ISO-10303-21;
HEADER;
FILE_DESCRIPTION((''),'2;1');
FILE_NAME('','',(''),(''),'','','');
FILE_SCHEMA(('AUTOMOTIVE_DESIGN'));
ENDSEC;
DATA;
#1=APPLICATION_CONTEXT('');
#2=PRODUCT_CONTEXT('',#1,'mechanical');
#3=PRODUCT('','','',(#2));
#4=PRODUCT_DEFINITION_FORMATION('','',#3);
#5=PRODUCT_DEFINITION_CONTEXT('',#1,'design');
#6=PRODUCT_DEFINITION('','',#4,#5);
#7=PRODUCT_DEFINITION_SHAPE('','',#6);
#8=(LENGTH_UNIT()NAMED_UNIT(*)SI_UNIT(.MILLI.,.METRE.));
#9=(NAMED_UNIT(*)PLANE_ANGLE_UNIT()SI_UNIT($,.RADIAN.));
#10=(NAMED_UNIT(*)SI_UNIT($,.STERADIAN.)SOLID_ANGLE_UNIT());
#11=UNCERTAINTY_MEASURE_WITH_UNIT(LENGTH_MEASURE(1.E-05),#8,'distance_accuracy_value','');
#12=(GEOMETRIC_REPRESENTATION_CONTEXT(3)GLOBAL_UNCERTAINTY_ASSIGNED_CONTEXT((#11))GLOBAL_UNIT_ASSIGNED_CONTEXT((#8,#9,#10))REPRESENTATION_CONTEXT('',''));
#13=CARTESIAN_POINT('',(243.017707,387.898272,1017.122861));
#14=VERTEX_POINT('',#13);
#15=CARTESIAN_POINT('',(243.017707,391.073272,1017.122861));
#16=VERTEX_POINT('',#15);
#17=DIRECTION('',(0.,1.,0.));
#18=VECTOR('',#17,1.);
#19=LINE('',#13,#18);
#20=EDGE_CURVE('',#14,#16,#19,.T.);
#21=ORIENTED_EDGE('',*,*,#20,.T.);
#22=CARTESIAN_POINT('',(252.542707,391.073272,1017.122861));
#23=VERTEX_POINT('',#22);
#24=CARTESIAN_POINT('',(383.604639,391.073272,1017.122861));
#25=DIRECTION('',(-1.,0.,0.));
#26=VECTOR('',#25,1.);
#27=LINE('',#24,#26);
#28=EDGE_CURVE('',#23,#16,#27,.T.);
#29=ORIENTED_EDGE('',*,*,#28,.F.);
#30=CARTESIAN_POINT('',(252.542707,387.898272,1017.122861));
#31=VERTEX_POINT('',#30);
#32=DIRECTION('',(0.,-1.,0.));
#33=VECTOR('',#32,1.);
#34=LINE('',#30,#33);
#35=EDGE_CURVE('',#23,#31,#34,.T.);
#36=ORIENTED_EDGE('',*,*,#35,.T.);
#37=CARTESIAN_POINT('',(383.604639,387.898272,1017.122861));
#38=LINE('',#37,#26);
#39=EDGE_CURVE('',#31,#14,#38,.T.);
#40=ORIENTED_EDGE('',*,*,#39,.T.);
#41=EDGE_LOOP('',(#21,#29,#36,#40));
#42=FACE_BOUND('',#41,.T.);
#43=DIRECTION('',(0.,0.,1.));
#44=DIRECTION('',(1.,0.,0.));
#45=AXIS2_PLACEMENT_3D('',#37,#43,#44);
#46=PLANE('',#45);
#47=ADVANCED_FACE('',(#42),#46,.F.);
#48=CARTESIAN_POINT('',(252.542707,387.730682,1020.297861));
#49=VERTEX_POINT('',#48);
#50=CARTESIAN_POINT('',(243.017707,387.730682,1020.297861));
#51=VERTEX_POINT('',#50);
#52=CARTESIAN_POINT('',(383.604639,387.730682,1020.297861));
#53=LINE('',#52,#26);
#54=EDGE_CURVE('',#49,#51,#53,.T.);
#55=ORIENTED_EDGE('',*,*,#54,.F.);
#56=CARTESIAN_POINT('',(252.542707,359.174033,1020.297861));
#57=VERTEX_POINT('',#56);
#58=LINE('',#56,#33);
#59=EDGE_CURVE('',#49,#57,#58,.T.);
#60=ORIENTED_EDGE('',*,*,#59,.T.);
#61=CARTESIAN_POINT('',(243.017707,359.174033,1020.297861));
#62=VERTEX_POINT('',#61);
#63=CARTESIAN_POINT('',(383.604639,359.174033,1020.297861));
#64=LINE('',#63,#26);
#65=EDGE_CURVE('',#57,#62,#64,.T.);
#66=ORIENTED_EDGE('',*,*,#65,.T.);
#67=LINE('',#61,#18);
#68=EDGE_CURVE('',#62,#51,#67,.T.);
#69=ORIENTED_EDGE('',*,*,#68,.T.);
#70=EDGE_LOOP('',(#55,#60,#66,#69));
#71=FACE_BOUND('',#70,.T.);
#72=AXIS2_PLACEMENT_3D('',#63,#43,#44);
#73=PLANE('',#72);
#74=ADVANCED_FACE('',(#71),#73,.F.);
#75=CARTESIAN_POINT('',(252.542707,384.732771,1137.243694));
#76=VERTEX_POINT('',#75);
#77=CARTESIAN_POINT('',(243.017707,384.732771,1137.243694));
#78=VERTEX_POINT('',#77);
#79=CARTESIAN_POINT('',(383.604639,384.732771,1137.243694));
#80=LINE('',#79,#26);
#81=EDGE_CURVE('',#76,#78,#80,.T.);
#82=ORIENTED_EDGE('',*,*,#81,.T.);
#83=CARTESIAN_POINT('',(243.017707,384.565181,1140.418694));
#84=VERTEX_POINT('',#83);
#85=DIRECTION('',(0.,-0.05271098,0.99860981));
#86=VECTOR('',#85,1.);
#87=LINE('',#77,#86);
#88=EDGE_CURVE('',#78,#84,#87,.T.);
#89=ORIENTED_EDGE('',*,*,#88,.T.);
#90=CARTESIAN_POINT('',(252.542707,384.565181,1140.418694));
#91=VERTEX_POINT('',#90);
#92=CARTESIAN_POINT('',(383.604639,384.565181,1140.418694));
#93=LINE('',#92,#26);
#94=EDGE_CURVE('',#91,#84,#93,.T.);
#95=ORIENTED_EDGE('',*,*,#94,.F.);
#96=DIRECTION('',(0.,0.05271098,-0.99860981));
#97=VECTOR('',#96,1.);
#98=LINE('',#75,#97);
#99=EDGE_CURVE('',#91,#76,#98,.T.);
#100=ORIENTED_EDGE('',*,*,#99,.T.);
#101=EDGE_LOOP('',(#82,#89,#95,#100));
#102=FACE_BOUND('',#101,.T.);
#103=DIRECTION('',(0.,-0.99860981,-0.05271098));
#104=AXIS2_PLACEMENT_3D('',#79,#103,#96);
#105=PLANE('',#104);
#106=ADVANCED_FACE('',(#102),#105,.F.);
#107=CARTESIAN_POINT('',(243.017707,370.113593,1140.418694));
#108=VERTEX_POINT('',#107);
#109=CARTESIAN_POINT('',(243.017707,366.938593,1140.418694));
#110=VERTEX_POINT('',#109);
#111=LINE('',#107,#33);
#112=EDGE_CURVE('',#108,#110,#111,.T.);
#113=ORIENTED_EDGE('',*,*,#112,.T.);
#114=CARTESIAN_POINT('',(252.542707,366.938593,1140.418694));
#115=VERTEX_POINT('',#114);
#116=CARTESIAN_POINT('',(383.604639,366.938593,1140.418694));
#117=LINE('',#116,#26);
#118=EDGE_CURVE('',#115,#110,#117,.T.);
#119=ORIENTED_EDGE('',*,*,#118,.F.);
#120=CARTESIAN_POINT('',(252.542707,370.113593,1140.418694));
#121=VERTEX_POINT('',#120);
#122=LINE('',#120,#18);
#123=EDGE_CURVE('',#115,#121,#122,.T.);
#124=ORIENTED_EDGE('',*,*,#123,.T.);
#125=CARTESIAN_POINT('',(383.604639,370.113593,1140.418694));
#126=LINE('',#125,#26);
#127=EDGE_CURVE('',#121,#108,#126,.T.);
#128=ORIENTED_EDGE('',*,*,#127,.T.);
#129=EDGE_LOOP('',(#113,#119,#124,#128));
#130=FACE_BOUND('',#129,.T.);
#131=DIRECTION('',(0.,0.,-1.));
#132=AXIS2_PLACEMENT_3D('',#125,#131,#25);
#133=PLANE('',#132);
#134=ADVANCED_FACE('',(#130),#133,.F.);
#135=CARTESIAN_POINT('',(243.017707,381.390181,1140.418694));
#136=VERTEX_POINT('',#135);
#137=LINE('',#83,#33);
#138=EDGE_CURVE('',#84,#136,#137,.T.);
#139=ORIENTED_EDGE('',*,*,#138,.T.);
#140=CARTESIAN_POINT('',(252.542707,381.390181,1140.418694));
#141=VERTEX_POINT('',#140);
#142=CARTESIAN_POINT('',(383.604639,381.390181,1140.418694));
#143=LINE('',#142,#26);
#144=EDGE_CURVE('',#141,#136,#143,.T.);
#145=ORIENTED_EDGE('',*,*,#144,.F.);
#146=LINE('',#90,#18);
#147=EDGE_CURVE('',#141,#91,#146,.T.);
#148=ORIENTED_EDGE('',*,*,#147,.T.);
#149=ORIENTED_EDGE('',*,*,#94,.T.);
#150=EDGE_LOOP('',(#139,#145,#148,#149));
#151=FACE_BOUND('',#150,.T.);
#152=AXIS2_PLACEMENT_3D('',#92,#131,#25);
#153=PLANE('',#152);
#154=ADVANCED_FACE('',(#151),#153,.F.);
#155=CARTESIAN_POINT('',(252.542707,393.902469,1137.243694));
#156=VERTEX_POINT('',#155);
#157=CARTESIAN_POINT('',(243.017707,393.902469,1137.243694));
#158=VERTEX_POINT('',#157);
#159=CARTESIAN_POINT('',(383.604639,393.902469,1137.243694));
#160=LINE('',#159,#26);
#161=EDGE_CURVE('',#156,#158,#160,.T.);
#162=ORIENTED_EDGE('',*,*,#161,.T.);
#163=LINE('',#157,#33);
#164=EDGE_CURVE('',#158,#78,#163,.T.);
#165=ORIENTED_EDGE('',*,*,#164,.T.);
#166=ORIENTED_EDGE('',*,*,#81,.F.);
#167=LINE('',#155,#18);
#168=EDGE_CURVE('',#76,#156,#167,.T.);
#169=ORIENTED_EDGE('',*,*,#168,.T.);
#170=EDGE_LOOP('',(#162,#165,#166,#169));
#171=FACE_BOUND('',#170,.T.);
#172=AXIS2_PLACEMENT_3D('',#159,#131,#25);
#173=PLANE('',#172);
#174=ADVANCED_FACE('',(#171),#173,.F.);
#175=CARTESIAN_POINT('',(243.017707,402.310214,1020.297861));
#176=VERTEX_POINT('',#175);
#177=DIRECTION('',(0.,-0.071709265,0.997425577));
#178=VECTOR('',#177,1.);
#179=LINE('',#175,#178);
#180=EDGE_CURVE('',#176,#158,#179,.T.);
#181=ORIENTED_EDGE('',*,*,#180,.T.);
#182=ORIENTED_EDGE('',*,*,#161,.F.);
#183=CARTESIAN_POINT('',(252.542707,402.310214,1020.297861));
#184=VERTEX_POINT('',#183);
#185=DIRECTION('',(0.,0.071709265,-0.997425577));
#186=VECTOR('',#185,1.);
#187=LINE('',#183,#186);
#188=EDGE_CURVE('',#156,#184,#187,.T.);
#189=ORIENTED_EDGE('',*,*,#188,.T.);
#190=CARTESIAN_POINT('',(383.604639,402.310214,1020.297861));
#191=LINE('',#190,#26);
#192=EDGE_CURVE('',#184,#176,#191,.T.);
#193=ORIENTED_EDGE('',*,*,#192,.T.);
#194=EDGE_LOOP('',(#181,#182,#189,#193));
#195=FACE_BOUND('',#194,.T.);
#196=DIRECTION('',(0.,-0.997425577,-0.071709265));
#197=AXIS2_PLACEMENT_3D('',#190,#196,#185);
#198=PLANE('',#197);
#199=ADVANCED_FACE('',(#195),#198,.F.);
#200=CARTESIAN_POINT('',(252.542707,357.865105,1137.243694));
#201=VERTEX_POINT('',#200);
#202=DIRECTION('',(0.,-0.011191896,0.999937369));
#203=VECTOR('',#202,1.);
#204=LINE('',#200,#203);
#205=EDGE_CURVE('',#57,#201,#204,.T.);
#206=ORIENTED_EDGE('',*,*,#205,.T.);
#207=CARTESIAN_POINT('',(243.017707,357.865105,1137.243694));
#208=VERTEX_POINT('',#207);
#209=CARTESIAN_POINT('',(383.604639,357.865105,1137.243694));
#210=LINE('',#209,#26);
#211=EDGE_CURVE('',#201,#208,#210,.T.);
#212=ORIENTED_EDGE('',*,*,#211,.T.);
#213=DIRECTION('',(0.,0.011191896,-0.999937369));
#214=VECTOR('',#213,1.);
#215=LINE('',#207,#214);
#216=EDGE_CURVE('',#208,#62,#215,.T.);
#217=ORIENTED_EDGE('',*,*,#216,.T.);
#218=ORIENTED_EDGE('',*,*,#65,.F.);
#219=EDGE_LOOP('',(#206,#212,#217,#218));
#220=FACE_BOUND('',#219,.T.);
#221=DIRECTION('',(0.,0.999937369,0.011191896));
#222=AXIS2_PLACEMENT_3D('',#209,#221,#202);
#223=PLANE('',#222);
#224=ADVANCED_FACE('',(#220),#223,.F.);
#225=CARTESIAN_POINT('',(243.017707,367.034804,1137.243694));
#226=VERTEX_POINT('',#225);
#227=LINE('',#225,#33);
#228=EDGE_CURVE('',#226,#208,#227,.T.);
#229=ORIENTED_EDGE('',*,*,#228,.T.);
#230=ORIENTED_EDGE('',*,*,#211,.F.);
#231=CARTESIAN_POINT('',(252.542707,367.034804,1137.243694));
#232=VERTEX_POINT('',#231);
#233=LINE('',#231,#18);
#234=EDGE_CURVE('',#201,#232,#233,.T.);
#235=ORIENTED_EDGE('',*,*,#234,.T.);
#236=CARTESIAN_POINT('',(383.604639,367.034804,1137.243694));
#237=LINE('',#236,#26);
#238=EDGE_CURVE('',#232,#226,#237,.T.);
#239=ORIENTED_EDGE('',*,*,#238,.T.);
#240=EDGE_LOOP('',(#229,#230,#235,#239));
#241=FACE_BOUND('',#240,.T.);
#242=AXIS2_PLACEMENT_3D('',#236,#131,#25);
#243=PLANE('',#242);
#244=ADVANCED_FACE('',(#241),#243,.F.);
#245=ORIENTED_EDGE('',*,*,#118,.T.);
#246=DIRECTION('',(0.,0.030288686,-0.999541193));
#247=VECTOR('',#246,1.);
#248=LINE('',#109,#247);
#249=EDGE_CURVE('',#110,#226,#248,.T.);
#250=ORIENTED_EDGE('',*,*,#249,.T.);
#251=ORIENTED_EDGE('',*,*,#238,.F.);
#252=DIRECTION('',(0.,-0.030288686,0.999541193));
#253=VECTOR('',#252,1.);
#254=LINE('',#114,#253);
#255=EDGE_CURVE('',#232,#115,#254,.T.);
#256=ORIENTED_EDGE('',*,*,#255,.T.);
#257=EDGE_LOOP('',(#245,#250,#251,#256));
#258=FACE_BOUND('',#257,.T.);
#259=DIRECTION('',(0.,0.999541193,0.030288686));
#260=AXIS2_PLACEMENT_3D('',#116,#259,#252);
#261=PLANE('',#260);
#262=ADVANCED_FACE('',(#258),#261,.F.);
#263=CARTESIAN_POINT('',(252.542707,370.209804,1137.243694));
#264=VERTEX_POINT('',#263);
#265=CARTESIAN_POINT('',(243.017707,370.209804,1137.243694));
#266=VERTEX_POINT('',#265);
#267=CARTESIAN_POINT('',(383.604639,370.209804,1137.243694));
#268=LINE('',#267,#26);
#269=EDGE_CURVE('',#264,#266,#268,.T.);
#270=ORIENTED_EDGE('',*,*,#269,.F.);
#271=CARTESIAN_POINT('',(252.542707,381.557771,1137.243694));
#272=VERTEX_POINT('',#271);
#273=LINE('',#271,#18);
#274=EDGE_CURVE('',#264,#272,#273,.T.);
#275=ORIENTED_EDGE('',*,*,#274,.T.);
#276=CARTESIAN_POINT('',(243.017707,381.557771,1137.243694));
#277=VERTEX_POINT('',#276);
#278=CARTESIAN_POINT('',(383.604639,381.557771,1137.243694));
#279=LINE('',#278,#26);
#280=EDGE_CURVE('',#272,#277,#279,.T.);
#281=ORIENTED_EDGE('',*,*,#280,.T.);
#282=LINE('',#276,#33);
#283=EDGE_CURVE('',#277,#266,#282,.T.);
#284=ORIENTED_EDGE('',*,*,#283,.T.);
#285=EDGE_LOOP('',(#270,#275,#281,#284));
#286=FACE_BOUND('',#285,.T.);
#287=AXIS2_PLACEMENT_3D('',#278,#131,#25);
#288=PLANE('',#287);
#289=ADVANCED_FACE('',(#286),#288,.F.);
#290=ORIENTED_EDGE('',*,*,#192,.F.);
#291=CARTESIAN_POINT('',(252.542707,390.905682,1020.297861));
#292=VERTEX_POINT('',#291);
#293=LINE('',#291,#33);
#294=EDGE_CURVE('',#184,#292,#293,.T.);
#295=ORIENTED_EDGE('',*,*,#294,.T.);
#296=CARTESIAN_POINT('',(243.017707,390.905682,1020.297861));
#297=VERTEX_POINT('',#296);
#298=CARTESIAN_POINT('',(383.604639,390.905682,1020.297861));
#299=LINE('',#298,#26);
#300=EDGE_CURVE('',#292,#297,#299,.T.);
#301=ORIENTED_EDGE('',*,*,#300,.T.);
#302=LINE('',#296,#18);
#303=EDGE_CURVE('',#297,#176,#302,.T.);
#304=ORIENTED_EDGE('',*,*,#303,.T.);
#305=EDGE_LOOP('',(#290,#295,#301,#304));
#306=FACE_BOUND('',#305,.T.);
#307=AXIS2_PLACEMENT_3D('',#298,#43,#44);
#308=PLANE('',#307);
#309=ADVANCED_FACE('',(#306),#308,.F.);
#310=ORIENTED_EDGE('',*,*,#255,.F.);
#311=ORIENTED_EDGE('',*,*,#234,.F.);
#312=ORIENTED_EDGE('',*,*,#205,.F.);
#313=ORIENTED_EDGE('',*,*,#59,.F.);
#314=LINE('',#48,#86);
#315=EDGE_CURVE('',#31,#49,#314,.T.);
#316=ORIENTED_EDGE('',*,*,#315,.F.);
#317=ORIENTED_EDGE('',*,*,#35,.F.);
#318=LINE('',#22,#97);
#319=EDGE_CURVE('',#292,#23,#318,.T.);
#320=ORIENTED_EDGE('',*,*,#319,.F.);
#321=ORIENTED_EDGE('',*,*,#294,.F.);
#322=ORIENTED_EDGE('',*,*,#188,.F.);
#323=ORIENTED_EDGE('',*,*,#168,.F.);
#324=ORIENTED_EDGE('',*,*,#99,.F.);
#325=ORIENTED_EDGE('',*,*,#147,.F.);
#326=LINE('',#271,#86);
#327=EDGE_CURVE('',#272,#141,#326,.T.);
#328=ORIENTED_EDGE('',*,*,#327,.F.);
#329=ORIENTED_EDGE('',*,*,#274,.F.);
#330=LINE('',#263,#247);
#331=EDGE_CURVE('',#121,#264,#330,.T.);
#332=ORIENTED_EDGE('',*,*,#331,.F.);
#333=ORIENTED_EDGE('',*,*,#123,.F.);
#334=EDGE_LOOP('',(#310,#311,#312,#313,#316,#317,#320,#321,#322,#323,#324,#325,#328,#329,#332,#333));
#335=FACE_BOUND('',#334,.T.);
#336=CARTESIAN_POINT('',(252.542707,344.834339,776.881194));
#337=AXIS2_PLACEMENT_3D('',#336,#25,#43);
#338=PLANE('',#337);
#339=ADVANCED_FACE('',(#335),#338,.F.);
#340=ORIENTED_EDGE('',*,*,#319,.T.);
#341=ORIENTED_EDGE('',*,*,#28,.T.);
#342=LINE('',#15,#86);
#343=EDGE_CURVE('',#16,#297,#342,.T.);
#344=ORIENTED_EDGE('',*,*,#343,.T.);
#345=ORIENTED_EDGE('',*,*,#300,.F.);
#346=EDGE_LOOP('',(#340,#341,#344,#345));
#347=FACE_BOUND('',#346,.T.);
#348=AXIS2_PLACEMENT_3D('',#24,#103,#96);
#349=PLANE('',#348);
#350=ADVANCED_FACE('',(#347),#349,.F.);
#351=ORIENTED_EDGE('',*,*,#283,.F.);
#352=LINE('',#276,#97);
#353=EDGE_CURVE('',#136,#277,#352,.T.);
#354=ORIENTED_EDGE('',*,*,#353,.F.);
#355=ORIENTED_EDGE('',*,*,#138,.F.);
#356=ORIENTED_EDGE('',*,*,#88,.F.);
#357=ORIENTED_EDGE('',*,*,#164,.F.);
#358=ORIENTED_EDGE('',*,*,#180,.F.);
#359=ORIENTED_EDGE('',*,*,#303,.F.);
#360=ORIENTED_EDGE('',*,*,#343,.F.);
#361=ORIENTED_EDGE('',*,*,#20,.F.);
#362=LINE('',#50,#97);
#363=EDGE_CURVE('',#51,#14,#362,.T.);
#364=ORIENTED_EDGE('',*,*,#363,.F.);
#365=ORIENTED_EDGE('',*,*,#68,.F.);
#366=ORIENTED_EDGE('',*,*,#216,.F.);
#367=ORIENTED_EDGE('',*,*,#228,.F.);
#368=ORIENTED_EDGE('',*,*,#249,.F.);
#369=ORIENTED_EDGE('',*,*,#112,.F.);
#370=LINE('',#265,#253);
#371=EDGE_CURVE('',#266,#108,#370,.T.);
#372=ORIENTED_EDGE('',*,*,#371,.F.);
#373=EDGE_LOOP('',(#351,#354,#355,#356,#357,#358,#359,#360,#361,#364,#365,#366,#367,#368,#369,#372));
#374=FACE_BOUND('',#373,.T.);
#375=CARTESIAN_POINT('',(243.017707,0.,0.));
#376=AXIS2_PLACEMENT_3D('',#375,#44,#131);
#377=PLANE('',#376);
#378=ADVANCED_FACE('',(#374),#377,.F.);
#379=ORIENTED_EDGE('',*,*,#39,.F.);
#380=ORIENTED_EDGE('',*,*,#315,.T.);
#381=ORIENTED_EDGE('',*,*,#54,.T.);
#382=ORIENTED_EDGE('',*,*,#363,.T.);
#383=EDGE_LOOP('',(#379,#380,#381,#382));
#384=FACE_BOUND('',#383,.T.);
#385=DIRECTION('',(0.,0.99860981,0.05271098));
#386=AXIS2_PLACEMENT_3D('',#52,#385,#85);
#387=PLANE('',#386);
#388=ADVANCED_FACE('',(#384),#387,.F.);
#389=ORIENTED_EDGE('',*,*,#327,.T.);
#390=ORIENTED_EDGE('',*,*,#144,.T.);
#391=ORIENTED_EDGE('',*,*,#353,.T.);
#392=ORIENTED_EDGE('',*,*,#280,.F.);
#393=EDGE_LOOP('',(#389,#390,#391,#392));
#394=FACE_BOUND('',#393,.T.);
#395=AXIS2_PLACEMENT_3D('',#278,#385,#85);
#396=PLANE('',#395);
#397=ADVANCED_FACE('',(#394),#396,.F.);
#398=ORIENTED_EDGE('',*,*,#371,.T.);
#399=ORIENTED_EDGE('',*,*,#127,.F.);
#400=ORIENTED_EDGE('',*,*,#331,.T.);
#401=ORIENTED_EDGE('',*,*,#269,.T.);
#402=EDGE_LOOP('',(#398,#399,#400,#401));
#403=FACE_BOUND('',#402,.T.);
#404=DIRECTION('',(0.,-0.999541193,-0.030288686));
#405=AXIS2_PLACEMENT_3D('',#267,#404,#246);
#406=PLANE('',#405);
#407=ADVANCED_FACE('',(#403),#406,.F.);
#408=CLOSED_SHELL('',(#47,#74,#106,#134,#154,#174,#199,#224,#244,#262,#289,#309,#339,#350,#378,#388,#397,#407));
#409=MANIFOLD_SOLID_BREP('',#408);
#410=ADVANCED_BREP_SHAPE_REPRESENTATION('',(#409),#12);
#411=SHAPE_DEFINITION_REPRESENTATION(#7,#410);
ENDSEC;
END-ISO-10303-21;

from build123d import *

# Parameters (mm, degrees)
BOSS_EXTRUDE1_DEPTH = 9.525


with BuildPart() as part:
    # Sketch1 → Boss-Extrude1 (new body)
    with BuildSketch(Plane(origin=(243.017706631, 0, 0), x_dir=(0, 0, -1), z_dir=(1, 0, 0))):
        Polygon((-1140.418694078, 370.113593261), (-1140.418694078, 366.938593261), (-1137.243694078, 367.03480398), (-1137.243694078, 357.865105463), (-1020.29786066, 359.174033069), (-1020.29786066, 387.730681963), (-1017.12286066, 387.898272307), (-1017.12286066, 391.073272307), (-1020.29786066, 390.905681963), (-1020.29786066, 402.310214356), (-1137.243694078, 393.902469498), (-1137.243694078, 384.73277098), (-1140.418694078, 384.565180637), (-1140.418694078, 381.390180637), (-1137.243694078, 381.55777098), (-1137.243694078, 370.20980398), align=None)
    extrude(amount=BOSS_EXTRUDE1_DEPTH)


solid = part.part
